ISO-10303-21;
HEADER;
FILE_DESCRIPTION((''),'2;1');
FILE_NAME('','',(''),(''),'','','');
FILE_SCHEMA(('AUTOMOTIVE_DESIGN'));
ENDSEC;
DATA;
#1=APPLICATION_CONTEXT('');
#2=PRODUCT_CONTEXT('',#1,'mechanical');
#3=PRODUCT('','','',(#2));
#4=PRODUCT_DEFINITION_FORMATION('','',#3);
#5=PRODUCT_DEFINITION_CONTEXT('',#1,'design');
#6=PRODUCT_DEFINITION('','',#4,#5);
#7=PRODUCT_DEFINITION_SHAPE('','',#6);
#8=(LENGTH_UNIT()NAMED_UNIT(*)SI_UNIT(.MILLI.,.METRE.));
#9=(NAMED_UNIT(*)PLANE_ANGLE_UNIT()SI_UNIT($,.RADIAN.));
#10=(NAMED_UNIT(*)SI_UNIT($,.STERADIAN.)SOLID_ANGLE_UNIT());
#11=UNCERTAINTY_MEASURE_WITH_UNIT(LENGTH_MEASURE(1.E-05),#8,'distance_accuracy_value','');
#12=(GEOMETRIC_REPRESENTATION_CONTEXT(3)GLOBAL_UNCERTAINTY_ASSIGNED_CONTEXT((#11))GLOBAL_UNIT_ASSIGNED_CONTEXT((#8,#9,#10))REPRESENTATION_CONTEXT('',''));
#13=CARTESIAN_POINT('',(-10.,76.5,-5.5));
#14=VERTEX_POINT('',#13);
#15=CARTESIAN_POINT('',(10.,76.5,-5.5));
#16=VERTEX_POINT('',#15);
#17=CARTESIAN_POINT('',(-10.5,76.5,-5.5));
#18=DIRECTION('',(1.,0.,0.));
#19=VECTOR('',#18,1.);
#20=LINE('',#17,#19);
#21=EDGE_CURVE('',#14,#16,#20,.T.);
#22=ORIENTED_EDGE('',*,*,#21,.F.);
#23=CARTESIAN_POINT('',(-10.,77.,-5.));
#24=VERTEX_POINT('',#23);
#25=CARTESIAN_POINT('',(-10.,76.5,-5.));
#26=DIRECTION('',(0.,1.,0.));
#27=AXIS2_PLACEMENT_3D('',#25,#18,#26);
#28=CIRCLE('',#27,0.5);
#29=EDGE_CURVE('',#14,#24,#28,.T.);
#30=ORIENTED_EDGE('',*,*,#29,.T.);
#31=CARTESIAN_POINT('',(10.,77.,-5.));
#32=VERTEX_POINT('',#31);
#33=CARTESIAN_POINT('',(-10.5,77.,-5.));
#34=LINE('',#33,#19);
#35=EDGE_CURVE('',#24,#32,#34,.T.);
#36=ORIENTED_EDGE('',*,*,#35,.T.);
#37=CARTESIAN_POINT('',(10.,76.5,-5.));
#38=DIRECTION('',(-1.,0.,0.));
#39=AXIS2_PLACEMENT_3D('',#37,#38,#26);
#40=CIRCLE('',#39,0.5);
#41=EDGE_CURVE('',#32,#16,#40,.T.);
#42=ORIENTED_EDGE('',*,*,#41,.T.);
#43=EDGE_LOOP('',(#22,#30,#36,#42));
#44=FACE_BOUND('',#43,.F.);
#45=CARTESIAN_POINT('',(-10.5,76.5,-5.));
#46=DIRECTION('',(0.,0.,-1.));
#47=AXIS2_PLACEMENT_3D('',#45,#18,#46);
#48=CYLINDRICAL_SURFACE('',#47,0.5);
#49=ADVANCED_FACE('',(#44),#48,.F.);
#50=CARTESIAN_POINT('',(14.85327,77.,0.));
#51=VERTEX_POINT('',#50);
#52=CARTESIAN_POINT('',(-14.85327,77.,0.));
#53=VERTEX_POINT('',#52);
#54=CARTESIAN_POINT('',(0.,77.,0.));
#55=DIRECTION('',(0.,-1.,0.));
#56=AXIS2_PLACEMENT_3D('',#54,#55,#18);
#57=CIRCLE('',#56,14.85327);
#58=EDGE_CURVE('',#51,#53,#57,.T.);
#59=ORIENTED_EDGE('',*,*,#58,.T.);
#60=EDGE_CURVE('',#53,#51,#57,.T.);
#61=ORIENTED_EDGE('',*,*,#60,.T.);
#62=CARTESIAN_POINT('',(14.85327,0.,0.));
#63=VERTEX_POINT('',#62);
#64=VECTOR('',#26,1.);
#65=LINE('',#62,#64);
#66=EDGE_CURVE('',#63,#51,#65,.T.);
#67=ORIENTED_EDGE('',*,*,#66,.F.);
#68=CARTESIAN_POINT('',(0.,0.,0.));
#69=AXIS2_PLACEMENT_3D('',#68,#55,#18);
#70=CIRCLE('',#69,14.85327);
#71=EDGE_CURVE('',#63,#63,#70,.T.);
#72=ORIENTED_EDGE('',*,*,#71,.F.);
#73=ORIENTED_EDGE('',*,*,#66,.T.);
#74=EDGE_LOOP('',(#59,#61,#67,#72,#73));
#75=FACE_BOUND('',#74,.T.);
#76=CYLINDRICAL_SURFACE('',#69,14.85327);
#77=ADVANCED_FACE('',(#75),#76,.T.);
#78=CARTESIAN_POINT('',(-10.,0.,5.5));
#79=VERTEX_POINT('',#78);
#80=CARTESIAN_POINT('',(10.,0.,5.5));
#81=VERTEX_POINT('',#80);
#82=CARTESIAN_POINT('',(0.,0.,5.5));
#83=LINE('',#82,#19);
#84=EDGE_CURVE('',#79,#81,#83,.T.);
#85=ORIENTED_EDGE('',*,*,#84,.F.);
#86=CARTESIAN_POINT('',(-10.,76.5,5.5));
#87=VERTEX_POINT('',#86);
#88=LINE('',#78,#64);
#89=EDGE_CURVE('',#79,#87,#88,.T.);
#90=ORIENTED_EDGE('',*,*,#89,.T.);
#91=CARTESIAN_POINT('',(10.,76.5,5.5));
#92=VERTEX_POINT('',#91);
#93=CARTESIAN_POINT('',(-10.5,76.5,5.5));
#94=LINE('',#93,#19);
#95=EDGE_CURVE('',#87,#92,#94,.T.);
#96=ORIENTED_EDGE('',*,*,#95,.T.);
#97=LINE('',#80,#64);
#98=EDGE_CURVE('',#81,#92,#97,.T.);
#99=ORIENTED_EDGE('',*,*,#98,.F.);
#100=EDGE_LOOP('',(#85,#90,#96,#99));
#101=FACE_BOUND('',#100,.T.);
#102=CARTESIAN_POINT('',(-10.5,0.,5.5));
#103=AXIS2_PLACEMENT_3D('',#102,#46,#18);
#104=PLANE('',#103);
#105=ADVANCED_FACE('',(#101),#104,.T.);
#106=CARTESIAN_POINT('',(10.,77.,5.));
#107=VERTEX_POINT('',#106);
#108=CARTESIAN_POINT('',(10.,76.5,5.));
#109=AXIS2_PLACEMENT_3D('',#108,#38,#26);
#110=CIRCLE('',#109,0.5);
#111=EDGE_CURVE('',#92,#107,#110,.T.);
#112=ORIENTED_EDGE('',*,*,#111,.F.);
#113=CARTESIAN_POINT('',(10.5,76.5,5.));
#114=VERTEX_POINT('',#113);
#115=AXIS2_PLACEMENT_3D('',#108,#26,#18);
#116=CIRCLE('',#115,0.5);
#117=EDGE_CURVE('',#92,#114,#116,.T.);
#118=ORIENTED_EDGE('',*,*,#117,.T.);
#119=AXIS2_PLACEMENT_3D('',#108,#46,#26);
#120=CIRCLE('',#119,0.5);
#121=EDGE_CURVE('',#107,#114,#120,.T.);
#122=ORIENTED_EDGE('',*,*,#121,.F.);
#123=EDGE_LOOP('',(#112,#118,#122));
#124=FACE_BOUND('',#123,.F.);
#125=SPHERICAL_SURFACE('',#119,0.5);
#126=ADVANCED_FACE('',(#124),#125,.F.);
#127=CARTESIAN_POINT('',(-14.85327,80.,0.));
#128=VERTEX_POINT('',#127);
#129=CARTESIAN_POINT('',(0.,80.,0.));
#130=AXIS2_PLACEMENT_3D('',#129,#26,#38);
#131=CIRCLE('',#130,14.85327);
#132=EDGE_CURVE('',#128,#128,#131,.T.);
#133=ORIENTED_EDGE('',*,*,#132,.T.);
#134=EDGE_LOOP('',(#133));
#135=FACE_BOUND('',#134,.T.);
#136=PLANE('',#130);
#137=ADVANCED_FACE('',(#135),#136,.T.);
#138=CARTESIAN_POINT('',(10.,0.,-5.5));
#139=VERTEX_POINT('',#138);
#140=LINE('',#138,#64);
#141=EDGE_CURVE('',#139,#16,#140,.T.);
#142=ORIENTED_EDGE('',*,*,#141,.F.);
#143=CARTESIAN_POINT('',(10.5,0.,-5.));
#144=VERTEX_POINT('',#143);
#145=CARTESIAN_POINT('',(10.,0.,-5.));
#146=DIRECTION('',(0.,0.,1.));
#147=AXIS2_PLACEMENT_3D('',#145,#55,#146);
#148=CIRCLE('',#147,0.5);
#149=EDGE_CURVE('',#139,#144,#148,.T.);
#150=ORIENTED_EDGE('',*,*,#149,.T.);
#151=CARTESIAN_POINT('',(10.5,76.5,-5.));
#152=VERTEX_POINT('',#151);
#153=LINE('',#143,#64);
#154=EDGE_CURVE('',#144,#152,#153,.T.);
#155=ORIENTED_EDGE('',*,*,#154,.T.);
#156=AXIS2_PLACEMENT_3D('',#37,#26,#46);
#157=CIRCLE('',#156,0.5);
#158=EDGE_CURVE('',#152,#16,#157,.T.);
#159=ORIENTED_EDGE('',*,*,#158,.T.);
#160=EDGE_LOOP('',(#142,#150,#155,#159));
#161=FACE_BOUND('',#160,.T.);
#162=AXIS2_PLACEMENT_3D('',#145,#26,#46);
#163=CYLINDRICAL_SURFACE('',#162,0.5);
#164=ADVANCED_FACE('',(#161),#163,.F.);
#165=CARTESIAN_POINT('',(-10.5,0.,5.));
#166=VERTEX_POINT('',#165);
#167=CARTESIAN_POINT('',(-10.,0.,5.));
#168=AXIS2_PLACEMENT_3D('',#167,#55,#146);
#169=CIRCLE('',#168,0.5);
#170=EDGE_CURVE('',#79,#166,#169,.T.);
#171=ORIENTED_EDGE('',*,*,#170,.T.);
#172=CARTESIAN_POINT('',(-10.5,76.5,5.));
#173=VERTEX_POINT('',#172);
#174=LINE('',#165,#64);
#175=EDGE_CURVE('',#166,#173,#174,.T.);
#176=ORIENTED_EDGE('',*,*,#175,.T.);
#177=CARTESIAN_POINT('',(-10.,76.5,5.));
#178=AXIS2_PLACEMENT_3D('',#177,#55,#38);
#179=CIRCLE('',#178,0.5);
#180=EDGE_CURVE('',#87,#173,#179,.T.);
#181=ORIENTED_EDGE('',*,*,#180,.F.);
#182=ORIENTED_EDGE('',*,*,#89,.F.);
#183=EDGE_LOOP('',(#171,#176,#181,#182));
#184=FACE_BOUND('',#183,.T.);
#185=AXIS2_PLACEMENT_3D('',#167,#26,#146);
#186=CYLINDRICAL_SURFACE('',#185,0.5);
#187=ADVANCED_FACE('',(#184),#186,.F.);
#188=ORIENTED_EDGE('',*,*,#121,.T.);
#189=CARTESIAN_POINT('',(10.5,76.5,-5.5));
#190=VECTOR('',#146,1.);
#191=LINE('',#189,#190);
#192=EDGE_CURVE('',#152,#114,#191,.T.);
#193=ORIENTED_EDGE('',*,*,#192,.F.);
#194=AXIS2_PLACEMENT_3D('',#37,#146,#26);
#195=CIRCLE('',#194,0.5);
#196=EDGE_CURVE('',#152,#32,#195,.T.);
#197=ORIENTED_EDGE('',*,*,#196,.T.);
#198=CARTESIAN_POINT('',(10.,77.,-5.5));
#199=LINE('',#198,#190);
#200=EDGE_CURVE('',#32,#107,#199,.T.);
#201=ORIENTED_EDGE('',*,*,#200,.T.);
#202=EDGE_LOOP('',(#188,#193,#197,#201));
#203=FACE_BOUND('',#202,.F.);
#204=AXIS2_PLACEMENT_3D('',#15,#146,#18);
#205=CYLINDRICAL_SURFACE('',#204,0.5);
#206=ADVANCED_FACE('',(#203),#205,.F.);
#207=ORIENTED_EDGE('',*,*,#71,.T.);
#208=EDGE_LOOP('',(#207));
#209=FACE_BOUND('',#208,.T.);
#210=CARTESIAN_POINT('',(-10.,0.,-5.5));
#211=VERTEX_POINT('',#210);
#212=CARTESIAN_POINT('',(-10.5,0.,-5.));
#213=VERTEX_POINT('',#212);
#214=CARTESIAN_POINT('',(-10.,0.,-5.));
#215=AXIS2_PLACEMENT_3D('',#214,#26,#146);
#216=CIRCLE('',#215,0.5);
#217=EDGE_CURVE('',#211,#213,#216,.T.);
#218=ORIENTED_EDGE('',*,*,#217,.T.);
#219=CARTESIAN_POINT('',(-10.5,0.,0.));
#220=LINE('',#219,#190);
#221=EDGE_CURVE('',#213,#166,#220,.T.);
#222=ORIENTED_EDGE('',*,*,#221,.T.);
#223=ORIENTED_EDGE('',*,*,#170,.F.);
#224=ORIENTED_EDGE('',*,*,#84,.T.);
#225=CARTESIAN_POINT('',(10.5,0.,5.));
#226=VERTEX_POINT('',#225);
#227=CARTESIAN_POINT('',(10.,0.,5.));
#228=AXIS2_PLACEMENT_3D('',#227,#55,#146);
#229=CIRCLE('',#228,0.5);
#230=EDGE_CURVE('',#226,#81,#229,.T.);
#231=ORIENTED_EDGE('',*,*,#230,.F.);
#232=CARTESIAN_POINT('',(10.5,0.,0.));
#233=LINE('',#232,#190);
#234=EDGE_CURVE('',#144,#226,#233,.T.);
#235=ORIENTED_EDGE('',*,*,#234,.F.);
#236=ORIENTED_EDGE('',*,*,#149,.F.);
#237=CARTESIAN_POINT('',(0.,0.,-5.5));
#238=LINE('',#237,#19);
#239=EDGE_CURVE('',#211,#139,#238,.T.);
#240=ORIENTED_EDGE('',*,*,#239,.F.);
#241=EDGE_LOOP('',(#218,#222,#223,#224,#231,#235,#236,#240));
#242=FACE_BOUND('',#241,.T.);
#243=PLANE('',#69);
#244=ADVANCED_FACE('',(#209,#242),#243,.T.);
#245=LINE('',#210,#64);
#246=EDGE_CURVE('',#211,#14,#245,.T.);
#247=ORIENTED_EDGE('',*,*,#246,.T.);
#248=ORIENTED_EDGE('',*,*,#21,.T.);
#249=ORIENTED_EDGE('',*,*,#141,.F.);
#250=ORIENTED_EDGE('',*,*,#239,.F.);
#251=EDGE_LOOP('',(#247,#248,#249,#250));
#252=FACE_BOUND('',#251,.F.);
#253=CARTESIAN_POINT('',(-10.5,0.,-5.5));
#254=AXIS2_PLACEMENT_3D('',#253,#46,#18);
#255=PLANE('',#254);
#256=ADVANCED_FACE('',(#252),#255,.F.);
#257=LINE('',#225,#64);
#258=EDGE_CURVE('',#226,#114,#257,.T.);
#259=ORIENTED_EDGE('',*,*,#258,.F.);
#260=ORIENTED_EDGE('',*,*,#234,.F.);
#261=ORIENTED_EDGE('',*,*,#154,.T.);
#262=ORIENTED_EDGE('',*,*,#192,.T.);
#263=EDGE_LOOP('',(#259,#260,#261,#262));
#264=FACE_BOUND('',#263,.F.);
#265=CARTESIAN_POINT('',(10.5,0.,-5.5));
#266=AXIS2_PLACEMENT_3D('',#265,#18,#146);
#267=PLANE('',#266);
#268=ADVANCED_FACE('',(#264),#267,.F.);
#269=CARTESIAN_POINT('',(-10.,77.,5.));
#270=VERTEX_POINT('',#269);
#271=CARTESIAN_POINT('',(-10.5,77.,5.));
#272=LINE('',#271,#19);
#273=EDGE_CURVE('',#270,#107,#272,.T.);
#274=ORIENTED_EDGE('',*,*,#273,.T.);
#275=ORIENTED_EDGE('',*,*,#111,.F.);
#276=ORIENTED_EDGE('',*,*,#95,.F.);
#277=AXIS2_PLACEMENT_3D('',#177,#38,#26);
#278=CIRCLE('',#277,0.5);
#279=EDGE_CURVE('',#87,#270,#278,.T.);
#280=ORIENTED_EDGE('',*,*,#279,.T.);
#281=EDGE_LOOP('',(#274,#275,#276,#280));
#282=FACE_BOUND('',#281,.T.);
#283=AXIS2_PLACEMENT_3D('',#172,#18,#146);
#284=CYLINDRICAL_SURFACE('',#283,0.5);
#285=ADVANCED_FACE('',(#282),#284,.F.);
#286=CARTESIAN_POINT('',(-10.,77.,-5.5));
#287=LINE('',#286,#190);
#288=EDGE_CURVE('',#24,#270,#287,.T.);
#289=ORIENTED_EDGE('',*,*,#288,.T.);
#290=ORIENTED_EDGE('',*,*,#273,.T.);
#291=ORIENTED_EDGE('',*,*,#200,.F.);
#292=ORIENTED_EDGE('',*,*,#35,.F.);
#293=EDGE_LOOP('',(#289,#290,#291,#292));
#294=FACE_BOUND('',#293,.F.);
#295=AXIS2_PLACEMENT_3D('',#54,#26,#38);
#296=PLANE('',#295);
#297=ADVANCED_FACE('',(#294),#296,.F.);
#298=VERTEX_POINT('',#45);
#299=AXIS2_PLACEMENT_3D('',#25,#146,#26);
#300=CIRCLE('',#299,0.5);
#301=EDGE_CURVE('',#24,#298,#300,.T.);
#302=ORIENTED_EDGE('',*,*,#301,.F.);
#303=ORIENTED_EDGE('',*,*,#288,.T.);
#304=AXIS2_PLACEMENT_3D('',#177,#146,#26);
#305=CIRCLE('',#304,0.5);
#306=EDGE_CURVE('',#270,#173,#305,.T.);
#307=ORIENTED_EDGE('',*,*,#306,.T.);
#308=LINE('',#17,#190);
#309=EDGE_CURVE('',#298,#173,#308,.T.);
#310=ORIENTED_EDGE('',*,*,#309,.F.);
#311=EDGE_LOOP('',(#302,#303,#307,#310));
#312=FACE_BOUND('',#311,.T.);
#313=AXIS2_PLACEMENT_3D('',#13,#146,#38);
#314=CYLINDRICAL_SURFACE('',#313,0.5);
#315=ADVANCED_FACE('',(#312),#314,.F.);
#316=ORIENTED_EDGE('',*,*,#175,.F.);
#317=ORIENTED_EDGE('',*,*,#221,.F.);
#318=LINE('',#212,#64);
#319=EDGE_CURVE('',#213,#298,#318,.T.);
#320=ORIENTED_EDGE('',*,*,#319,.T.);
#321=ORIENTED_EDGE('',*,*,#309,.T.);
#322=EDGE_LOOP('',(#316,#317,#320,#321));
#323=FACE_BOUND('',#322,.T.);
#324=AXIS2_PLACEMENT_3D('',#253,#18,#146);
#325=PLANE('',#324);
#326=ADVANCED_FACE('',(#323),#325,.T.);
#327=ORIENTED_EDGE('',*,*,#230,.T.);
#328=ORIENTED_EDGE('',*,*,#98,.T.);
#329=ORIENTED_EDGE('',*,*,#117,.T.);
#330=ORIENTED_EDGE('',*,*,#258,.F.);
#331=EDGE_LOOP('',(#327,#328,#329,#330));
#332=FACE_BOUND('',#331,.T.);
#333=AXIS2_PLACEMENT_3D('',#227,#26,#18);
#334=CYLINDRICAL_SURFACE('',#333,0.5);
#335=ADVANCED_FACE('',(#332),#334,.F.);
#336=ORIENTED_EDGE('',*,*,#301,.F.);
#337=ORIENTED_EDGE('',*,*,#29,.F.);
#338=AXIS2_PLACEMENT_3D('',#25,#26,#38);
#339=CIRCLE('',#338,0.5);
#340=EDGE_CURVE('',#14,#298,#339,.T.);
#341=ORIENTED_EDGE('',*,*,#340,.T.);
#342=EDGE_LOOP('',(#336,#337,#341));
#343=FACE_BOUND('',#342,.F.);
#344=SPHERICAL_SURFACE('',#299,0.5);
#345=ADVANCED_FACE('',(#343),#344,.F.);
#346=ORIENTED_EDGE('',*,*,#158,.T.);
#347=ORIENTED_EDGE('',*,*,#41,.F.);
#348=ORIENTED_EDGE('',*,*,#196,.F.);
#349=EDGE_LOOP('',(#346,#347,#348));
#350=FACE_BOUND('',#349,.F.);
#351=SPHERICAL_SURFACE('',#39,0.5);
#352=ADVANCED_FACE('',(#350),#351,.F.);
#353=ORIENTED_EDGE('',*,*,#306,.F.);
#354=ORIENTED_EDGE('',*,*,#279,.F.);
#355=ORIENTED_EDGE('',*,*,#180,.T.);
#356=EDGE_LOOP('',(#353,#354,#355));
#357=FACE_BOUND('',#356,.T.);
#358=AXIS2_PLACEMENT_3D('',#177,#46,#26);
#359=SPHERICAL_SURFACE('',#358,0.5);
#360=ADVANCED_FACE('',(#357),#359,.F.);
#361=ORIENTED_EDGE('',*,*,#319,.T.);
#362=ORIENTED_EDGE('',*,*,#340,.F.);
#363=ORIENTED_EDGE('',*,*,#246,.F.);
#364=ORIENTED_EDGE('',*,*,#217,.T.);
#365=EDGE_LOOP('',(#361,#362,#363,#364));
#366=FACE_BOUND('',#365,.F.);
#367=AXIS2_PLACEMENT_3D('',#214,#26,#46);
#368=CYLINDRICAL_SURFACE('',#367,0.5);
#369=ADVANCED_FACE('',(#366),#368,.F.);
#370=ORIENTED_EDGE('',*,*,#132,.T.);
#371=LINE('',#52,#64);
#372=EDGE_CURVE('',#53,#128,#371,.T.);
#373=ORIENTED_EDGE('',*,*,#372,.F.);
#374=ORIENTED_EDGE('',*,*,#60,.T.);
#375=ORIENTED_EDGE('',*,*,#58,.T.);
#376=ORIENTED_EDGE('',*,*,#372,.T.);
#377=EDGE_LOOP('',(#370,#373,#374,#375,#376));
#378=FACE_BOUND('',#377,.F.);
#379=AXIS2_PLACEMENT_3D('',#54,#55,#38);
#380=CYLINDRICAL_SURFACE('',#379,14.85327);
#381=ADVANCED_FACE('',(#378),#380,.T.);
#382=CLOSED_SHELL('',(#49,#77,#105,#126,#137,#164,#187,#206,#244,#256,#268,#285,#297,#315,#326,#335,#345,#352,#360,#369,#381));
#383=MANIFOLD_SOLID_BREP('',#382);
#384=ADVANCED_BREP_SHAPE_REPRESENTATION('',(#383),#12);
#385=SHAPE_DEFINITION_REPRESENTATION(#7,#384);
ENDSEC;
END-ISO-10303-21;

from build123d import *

# Parameters (mm, degrees)
F3_R     = 14.8532695911
F3_W     = 21
F3_H     = 11
F4_DEPTH = 77
F5_R     = 14.8532695911
F6_DEPTH = 3
F7_R     = 0.5


with BuildPart() as f4:
    # F3 (on Front) → F4 (new body)
    with BuildSketch(Plane.XZ):
        Circle(F3_R)
        Rectangle(F3_W, F3_H, mode=Mode.SUBTRACT)
    extrude(amount=-F4_DEPTH)

    # F5 (on face) → F6 (join)
    with BuildSketch(Plane(origin=(0, 77, 0), x_dir=(-1, 0, 0), z_dir=(0, 1, 0))):
        Circle(F5_R)
    extrude(amount=F6_DEPTH)

    # F7
    f7_edges = [f4.edges().sort_by_distance(p)[0] for p in [
        (-10.5, 77, 0),
        (0, 77, -5.5),
        (10.5, 77, 0),
        (0, 77, 5.5),
        (-10.5, 38.5, -5.5),
        (-10.5, 38.5, 5.5),
        (10.5, 38.5, 5.5),
        (10.5, 38.5, -5.5),
    ]]
    fillet(f7_edges, radius=F7_R)


solid = f4.part
